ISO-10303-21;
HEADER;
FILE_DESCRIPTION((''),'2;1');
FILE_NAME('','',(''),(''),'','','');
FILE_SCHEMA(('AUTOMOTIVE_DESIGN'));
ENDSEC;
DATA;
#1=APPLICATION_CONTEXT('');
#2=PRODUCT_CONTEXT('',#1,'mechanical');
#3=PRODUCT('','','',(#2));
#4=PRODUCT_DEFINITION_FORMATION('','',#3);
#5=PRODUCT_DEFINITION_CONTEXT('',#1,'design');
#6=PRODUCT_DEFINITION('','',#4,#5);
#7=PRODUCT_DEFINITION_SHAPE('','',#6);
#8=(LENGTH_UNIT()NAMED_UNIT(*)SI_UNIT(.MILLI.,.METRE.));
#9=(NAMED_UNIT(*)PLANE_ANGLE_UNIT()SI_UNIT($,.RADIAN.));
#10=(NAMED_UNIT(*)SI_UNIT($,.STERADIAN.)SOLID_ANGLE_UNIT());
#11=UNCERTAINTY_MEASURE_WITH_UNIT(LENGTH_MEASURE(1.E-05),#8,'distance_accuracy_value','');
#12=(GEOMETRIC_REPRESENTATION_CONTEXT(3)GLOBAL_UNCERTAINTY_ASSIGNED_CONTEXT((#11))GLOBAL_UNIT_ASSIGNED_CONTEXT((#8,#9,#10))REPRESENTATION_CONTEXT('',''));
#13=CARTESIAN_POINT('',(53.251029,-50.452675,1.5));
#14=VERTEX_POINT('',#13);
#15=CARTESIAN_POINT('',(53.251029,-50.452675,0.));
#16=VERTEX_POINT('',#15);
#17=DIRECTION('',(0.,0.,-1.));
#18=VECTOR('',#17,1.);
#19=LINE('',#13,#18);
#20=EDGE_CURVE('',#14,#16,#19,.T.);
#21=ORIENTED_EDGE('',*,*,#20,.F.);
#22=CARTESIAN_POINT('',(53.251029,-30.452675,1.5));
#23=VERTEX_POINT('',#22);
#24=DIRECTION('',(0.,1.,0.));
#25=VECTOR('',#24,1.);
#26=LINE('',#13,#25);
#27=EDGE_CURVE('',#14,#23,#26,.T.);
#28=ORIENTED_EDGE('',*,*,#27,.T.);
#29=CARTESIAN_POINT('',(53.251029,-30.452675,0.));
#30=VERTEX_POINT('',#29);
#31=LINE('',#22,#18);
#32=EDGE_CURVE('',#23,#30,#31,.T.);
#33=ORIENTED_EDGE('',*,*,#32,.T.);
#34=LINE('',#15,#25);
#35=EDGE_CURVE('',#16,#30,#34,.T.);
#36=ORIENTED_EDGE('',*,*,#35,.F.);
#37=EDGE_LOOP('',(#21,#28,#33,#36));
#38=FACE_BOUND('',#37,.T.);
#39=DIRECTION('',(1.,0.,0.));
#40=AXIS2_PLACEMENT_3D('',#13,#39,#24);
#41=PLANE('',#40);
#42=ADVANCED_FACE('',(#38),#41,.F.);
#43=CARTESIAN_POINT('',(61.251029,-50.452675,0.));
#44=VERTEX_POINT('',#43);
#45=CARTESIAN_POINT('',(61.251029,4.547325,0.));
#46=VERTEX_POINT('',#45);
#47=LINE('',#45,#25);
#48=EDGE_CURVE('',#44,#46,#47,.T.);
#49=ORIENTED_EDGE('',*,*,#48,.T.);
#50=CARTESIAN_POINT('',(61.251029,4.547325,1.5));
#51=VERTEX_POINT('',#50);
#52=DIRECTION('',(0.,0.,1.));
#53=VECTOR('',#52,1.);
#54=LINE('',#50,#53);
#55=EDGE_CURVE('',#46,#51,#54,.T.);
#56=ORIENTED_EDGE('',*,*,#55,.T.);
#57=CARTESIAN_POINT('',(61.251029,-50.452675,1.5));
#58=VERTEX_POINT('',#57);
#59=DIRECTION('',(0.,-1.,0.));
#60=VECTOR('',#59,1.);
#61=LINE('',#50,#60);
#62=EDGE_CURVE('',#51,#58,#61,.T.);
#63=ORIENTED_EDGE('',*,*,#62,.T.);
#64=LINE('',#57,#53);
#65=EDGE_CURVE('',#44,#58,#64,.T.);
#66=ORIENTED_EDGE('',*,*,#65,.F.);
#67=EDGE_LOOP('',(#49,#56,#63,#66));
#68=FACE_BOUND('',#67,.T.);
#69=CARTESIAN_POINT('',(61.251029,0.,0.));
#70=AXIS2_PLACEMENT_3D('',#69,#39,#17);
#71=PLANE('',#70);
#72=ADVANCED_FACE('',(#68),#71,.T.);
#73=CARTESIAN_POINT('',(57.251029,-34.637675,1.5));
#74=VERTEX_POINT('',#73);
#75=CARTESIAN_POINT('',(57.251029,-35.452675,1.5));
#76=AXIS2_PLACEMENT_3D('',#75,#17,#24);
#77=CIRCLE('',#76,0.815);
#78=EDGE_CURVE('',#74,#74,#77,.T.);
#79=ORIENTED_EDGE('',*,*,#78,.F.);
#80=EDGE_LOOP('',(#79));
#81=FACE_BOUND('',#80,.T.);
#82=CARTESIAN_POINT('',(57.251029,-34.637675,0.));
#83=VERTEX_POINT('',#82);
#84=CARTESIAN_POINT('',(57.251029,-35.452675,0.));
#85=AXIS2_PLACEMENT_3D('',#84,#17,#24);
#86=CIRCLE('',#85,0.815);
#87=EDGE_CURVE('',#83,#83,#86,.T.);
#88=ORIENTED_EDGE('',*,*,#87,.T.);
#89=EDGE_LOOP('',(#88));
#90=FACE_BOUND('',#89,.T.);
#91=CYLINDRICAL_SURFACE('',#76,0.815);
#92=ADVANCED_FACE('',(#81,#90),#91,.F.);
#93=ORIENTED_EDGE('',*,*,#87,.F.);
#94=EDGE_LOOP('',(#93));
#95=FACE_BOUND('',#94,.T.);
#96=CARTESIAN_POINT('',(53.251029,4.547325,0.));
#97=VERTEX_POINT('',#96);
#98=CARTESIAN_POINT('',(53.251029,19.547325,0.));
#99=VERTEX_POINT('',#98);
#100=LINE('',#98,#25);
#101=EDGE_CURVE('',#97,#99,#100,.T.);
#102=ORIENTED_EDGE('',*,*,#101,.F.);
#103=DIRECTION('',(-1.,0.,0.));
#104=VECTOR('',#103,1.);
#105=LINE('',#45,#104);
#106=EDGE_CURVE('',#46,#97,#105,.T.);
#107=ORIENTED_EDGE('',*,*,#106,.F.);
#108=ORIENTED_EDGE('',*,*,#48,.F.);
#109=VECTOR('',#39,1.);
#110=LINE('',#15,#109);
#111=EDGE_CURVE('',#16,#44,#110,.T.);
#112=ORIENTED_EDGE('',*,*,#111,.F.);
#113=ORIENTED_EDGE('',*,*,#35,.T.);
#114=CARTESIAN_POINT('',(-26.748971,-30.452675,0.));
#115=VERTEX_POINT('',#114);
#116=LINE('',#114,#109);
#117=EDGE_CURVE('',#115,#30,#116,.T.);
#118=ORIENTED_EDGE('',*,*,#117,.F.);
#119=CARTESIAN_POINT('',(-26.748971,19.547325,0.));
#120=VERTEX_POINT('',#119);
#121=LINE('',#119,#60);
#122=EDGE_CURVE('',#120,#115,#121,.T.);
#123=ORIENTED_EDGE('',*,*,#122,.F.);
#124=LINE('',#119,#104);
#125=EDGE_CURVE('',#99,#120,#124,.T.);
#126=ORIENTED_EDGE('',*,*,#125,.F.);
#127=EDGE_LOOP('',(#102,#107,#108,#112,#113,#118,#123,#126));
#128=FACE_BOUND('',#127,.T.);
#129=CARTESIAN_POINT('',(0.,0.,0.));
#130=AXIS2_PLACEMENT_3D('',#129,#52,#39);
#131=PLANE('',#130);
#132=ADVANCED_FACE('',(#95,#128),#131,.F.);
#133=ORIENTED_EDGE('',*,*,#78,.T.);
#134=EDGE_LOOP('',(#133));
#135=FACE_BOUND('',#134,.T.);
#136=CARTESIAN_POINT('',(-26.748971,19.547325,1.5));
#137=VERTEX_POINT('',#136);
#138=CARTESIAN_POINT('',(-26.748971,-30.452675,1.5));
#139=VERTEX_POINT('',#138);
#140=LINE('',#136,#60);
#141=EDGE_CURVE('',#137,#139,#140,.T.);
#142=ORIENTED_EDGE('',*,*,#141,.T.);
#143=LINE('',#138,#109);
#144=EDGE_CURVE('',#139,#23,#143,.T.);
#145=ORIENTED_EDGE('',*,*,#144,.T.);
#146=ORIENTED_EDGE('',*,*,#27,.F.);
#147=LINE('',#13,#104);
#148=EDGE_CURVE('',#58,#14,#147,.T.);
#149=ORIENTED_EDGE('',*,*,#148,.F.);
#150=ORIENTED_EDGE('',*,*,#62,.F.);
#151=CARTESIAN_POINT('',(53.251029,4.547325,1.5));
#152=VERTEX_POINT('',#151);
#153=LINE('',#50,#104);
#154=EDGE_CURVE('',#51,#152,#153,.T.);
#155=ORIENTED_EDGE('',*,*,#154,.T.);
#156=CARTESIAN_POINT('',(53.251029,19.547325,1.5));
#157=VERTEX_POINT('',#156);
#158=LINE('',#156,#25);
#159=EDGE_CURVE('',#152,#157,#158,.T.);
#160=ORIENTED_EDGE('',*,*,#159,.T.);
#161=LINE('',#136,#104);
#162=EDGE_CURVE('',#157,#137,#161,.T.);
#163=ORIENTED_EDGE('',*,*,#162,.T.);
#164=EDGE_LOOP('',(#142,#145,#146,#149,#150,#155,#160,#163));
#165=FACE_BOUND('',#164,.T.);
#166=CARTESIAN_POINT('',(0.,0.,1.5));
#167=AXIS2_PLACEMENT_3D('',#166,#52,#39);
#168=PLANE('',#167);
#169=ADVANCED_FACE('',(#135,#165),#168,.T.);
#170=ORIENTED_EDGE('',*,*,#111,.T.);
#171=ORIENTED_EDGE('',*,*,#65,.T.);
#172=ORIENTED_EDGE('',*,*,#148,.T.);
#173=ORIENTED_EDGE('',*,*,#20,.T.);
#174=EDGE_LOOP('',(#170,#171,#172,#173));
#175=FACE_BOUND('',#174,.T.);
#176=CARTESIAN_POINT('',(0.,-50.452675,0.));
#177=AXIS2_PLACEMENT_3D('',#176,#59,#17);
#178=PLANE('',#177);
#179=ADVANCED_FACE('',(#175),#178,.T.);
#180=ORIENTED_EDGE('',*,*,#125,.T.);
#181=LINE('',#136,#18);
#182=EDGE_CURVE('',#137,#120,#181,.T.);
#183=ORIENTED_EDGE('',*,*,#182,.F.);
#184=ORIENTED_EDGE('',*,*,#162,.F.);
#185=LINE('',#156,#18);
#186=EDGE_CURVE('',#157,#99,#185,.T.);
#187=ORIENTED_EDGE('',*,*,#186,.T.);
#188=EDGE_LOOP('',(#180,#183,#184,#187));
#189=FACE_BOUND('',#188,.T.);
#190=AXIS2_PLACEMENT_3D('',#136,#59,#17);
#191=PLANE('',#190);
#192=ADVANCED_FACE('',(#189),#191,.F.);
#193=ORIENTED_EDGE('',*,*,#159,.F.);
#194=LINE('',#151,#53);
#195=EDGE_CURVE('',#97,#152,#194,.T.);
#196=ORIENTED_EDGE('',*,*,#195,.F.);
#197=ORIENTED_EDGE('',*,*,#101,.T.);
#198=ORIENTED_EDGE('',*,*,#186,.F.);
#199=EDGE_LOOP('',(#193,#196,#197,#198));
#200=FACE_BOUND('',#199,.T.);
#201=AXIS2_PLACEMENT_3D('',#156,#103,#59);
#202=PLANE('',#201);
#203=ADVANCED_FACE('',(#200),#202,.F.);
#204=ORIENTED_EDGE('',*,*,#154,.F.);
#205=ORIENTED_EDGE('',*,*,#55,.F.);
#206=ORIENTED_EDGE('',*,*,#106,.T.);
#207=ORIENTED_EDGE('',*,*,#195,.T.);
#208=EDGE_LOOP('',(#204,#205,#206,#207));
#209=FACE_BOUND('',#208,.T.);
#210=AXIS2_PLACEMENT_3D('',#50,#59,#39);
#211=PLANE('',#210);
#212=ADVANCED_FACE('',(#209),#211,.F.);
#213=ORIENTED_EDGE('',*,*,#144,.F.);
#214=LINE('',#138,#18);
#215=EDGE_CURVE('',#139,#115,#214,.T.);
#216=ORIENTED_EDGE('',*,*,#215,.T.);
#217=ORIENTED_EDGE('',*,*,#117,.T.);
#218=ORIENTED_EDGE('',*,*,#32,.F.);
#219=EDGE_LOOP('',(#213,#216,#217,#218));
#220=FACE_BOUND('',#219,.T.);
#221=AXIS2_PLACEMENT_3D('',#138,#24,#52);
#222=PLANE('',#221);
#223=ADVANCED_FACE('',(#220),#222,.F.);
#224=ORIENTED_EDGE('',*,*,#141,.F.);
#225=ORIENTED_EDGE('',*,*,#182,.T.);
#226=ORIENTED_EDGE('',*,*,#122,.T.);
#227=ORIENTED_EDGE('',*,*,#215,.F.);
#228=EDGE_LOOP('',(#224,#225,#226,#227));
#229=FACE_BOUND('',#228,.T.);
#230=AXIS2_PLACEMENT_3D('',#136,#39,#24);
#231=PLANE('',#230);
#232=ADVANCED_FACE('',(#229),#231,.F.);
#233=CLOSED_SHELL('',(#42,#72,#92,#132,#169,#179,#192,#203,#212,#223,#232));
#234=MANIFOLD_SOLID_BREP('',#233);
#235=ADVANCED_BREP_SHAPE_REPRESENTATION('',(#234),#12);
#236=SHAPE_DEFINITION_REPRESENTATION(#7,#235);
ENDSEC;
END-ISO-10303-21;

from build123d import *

# Parameters (mm, degrees)
SKETCH1_W           = 80
SKETCH1_H           = 50
BOSS_EXTRUDE1_DEPTH = 1.5
SKETCH6_W           = 1.5
SKETCH6_H           = 20
BOSS_EXTRUDE4_DEPTH = 8
SKETCH8_W           = 8
SKETCH8_H           = 1.5
BOSS_EXTRUDE5_DEPTH = 35
SKETCH9_R           = 0.815
CUT_EXTRUDE2_DEPTH  = 80.368828479


with BuildPart() as part:
    # Sketch1 → Boss-Extrude1 (new body)
    with BuildSketch(Plane.XY):
        with Locations((13.251028807, -5.452674897)):
            Rectangle(SKETCH1_W, SKETCH1_H)
    extrude(amount=BOSS_EXTRUDE1_DEPTH)

    # Sketch6 → Boss-Extrude4 (add)
    with BuildSketch(Plane(origin=(53.251028807, 0, 0), x_dir=(0, 0, -1), z_dir=(1, 0, 0))):
        with Locations((-0.75, -5.452674897)):
            Rectangle(SKETCH6_W, SKETCH6_H)
    extrude(amount=BOSS_EXTRUDE4_DEPTH)

    # Sketch8 → Boss-Extrude5 (add)
    with BuildSketch(Plane.XZ.offset(15.452674897)):
        with Locations((57.251028807, 0.75)):
            Rectangle(SKETCH8_W, SKETCH8_H)
    extrude(amount=BOSS_EXTRUDE5_DEPTH)

    # Sketch9 → Cut-Extrude2 (cut, through all)
    with BuildSketch(Plane(origin=(0, 0, 0), x_dir=(-1, 0, 0), z_dir=(0, 0, -1))):
        with Locations(Location((-57.251028807, -35.452674897, 0), (0, 0, 90))):
            Circle(SKETCH9_R)
    extrude(amount=-CUT_EXTRUDE2_DEPTH, mode=Mode.SUBTRACT)


solid = part.part
